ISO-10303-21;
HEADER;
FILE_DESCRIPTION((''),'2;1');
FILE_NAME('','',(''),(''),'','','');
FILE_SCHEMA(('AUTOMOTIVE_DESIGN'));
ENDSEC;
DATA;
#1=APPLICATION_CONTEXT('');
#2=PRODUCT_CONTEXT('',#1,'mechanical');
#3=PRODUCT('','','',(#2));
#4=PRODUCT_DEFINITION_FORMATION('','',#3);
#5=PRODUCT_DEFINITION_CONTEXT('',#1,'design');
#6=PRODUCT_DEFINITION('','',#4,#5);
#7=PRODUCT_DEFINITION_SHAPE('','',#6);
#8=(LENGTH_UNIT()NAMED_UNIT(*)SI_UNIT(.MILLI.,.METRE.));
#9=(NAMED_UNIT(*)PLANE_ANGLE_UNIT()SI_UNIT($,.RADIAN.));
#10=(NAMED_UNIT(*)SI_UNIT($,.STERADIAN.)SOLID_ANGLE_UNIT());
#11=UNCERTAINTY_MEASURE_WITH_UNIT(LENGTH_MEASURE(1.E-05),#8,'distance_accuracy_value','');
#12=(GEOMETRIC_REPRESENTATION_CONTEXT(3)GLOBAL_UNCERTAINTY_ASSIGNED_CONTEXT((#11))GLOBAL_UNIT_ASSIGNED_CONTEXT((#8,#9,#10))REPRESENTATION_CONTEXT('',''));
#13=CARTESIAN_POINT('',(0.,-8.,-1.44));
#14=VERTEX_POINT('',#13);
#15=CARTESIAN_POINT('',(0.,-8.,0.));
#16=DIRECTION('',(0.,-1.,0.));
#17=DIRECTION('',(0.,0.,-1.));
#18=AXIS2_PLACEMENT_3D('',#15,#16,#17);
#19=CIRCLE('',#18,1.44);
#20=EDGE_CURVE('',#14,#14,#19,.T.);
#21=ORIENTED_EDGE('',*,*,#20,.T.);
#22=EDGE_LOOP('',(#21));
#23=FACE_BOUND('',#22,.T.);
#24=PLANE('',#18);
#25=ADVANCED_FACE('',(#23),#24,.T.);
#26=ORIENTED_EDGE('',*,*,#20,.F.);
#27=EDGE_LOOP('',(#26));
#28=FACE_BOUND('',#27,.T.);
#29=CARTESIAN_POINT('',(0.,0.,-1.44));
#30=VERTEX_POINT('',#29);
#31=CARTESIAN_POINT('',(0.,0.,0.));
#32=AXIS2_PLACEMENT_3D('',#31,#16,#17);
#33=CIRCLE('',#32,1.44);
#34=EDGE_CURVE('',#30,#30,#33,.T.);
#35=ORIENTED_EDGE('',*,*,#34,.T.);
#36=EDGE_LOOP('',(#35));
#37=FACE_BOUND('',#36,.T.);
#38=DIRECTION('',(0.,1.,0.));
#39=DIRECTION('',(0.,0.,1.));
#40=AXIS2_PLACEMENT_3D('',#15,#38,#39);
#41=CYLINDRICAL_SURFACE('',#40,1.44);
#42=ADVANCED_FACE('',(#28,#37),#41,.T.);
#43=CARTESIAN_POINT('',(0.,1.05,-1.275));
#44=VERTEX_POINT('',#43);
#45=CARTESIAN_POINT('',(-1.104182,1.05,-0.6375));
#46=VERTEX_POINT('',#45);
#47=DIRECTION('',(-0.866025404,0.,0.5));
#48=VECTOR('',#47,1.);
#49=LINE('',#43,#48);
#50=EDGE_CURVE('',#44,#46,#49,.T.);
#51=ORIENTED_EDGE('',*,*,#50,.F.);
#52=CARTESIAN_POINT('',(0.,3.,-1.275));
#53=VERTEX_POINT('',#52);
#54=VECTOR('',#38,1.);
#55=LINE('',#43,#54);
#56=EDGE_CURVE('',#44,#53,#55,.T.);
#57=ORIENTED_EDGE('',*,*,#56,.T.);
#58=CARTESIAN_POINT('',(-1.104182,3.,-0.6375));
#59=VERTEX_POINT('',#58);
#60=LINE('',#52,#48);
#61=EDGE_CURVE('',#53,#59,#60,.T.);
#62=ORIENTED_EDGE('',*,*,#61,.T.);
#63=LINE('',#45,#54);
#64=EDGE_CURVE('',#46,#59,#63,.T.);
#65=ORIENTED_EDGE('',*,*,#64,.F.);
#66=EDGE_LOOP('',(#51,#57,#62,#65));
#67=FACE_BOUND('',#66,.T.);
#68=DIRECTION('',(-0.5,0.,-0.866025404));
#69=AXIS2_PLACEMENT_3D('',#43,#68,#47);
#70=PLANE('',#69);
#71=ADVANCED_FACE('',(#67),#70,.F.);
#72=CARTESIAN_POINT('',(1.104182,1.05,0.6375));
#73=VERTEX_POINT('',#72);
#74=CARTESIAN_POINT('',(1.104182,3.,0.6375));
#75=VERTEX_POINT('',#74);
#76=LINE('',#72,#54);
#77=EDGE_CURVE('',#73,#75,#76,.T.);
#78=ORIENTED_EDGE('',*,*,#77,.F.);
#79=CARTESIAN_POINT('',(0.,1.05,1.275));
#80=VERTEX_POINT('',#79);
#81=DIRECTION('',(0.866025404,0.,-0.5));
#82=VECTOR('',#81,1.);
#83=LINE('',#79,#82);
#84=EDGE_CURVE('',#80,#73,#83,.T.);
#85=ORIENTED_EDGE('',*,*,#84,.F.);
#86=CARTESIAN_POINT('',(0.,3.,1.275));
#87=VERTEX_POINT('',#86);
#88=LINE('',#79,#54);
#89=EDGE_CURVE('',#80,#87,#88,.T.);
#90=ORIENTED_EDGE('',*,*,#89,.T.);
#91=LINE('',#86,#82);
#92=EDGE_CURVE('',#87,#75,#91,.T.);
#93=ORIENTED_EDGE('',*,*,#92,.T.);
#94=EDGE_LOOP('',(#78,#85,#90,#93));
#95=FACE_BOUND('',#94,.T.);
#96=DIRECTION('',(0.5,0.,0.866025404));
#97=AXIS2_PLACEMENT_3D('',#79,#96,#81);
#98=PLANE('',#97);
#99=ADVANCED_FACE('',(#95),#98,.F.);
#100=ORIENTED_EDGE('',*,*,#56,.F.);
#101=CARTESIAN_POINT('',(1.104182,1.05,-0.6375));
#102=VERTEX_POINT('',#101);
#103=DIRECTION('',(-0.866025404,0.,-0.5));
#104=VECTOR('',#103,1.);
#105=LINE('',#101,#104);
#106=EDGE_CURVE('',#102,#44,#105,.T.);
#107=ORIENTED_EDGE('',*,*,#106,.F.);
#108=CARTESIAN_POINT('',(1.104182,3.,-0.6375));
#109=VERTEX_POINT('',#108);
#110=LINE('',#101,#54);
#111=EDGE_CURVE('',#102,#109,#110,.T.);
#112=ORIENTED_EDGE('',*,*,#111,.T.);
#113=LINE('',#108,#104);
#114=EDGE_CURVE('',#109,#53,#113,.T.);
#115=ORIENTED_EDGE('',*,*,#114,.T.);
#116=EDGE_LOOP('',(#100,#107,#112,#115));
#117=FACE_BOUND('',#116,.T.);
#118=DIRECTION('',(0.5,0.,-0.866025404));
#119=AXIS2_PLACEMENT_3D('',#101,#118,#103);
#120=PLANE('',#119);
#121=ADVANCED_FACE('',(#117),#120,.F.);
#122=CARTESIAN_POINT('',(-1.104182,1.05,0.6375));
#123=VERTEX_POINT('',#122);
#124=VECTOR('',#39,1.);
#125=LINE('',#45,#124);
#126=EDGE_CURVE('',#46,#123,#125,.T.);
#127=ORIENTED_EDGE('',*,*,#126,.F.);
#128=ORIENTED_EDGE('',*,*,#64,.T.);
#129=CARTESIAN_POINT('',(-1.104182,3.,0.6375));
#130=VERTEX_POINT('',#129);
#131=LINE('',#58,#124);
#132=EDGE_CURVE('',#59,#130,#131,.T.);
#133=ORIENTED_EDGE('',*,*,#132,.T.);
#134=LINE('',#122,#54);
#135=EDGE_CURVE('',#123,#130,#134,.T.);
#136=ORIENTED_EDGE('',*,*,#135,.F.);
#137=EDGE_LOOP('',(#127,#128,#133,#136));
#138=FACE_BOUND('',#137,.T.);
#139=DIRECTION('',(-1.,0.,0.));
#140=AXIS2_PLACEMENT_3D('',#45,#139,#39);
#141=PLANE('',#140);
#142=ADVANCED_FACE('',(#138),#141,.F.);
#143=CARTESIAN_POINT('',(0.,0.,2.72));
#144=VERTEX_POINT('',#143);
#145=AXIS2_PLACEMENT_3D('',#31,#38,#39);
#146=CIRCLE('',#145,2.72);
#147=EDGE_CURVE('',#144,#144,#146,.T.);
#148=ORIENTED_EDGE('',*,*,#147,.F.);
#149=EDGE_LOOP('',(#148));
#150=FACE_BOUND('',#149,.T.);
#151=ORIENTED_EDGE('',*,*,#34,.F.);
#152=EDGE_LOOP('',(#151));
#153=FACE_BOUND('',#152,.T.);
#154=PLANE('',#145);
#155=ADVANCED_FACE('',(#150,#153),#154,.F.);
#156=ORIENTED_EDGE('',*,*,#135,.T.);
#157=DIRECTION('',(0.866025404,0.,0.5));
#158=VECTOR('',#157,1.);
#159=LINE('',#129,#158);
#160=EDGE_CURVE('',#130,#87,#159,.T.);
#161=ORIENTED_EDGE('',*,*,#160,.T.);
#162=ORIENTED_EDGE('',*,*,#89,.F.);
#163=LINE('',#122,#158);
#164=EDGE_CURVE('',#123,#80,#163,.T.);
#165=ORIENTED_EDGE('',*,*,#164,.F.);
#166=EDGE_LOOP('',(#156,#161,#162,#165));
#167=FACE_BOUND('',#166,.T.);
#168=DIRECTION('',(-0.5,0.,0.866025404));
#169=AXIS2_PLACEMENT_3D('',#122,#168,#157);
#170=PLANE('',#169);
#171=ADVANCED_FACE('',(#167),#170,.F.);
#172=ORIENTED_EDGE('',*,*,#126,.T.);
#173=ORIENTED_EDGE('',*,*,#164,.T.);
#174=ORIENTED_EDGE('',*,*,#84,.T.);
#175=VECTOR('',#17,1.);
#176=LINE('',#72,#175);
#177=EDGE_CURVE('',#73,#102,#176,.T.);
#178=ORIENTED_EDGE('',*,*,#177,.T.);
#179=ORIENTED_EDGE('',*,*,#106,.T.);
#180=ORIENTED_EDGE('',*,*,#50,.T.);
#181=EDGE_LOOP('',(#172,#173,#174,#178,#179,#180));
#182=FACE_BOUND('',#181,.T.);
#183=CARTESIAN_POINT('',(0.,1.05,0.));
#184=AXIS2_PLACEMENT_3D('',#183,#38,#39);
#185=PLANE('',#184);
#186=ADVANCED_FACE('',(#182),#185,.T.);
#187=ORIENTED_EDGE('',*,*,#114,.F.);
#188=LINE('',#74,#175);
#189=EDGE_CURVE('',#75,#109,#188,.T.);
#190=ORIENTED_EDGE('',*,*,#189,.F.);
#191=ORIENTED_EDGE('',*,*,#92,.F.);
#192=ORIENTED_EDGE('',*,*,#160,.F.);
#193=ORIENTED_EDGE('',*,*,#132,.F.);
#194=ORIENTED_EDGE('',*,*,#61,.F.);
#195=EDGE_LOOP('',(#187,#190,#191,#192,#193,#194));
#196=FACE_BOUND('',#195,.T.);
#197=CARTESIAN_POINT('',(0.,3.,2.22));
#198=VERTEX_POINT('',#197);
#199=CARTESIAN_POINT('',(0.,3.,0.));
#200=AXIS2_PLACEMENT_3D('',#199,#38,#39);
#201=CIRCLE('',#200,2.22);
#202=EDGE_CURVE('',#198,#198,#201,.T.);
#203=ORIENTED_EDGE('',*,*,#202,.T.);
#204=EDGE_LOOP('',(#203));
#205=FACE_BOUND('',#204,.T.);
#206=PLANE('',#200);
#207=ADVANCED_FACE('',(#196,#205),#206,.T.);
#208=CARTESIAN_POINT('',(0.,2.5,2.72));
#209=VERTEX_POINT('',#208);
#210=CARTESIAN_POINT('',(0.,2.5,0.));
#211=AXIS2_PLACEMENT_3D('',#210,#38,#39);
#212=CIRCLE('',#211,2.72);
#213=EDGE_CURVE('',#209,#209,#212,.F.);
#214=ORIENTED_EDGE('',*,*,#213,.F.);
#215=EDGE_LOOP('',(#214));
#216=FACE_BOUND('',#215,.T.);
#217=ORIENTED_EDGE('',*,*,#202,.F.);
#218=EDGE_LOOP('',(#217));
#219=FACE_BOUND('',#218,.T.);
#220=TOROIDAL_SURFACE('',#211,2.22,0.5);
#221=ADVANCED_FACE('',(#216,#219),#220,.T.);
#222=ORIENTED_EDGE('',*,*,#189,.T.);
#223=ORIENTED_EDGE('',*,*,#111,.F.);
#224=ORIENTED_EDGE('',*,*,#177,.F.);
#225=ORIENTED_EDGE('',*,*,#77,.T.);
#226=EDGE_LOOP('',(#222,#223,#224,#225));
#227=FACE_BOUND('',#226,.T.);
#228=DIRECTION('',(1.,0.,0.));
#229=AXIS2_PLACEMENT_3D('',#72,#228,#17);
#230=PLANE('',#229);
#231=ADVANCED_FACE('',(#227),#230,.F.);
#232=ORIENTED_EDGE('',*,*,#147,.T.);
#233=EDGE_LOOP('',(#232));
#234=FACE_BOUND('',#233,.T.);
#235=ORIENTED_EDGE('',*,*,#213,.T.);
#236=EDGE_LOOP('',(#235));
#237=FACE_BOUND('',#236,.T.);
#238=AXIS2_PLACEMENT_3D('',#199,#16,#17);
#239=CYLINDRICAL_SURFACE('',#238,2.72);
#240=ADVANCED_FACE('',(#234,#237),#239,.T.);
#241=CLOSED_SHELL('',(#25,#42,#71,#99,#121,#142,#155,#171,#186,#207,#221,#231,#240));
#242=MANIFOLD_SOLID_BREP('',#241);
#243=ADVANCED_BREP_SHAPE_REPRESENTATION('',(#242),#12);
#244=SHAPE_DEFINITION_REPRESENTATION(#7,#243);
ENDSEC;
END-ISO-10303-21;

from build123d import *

# Parameters (mm, degrees)
SKETCH1_R           = 2.72
BOSS_EXTRUDE1_DEPTH = 3
SKETCH2_R           = 1.44
BOSS_EXTRUDE2_DEPTH = 8
CUT_EXTRUDE1_DEPTH  = 1.95
FILLET1_R           = 0.5


with BuildPart() as part:
    # Sketch1 → Boss-Extrude1 (new body)
    with BuildSketch(Plane(origin=(0, 0, 0), x_dir=(1, 0, 0), z_dir=(0, 1, 0))):
        Circle(SKETCH1_R)
    extrude(amount=BOSS_EXTRUDE1_DEPTH)

    # Sketch2 → Boss-Extrude2 (add)
    with BuildSketch(Plane.XZ):
        Circle(SKETCH2_R)
    extrude(amount=BOSS_EXTRUDE2_DEPTH)

    # Sketch3 → Cut-Extrude1 (cut)
    with BuildSketch(Plane(origin=(0, 3, 0), x_dir=(1, 0, 0), z_dir=(0, 1, 0))):
        Polygon((1.10418239, 0.6375), (0, 1.275), (-1.10418239, 0.6375), (-1.10418239, -0.6375), (0, -1.275), (1.10418239, -0.6375), align=None)
    extrude(amount=-CUT_EXTRUDE1_DEPTH, mode=Mode.SUBTRACT)

    # Fillet1
    fillet1_edges = [part.edges().sort_by_distance(p)[0] for p in [
        (-2.72, 3, 0),
    ]]
    fillet(fillet1_edges, radius=FILLET1_R)


solid = part.part
